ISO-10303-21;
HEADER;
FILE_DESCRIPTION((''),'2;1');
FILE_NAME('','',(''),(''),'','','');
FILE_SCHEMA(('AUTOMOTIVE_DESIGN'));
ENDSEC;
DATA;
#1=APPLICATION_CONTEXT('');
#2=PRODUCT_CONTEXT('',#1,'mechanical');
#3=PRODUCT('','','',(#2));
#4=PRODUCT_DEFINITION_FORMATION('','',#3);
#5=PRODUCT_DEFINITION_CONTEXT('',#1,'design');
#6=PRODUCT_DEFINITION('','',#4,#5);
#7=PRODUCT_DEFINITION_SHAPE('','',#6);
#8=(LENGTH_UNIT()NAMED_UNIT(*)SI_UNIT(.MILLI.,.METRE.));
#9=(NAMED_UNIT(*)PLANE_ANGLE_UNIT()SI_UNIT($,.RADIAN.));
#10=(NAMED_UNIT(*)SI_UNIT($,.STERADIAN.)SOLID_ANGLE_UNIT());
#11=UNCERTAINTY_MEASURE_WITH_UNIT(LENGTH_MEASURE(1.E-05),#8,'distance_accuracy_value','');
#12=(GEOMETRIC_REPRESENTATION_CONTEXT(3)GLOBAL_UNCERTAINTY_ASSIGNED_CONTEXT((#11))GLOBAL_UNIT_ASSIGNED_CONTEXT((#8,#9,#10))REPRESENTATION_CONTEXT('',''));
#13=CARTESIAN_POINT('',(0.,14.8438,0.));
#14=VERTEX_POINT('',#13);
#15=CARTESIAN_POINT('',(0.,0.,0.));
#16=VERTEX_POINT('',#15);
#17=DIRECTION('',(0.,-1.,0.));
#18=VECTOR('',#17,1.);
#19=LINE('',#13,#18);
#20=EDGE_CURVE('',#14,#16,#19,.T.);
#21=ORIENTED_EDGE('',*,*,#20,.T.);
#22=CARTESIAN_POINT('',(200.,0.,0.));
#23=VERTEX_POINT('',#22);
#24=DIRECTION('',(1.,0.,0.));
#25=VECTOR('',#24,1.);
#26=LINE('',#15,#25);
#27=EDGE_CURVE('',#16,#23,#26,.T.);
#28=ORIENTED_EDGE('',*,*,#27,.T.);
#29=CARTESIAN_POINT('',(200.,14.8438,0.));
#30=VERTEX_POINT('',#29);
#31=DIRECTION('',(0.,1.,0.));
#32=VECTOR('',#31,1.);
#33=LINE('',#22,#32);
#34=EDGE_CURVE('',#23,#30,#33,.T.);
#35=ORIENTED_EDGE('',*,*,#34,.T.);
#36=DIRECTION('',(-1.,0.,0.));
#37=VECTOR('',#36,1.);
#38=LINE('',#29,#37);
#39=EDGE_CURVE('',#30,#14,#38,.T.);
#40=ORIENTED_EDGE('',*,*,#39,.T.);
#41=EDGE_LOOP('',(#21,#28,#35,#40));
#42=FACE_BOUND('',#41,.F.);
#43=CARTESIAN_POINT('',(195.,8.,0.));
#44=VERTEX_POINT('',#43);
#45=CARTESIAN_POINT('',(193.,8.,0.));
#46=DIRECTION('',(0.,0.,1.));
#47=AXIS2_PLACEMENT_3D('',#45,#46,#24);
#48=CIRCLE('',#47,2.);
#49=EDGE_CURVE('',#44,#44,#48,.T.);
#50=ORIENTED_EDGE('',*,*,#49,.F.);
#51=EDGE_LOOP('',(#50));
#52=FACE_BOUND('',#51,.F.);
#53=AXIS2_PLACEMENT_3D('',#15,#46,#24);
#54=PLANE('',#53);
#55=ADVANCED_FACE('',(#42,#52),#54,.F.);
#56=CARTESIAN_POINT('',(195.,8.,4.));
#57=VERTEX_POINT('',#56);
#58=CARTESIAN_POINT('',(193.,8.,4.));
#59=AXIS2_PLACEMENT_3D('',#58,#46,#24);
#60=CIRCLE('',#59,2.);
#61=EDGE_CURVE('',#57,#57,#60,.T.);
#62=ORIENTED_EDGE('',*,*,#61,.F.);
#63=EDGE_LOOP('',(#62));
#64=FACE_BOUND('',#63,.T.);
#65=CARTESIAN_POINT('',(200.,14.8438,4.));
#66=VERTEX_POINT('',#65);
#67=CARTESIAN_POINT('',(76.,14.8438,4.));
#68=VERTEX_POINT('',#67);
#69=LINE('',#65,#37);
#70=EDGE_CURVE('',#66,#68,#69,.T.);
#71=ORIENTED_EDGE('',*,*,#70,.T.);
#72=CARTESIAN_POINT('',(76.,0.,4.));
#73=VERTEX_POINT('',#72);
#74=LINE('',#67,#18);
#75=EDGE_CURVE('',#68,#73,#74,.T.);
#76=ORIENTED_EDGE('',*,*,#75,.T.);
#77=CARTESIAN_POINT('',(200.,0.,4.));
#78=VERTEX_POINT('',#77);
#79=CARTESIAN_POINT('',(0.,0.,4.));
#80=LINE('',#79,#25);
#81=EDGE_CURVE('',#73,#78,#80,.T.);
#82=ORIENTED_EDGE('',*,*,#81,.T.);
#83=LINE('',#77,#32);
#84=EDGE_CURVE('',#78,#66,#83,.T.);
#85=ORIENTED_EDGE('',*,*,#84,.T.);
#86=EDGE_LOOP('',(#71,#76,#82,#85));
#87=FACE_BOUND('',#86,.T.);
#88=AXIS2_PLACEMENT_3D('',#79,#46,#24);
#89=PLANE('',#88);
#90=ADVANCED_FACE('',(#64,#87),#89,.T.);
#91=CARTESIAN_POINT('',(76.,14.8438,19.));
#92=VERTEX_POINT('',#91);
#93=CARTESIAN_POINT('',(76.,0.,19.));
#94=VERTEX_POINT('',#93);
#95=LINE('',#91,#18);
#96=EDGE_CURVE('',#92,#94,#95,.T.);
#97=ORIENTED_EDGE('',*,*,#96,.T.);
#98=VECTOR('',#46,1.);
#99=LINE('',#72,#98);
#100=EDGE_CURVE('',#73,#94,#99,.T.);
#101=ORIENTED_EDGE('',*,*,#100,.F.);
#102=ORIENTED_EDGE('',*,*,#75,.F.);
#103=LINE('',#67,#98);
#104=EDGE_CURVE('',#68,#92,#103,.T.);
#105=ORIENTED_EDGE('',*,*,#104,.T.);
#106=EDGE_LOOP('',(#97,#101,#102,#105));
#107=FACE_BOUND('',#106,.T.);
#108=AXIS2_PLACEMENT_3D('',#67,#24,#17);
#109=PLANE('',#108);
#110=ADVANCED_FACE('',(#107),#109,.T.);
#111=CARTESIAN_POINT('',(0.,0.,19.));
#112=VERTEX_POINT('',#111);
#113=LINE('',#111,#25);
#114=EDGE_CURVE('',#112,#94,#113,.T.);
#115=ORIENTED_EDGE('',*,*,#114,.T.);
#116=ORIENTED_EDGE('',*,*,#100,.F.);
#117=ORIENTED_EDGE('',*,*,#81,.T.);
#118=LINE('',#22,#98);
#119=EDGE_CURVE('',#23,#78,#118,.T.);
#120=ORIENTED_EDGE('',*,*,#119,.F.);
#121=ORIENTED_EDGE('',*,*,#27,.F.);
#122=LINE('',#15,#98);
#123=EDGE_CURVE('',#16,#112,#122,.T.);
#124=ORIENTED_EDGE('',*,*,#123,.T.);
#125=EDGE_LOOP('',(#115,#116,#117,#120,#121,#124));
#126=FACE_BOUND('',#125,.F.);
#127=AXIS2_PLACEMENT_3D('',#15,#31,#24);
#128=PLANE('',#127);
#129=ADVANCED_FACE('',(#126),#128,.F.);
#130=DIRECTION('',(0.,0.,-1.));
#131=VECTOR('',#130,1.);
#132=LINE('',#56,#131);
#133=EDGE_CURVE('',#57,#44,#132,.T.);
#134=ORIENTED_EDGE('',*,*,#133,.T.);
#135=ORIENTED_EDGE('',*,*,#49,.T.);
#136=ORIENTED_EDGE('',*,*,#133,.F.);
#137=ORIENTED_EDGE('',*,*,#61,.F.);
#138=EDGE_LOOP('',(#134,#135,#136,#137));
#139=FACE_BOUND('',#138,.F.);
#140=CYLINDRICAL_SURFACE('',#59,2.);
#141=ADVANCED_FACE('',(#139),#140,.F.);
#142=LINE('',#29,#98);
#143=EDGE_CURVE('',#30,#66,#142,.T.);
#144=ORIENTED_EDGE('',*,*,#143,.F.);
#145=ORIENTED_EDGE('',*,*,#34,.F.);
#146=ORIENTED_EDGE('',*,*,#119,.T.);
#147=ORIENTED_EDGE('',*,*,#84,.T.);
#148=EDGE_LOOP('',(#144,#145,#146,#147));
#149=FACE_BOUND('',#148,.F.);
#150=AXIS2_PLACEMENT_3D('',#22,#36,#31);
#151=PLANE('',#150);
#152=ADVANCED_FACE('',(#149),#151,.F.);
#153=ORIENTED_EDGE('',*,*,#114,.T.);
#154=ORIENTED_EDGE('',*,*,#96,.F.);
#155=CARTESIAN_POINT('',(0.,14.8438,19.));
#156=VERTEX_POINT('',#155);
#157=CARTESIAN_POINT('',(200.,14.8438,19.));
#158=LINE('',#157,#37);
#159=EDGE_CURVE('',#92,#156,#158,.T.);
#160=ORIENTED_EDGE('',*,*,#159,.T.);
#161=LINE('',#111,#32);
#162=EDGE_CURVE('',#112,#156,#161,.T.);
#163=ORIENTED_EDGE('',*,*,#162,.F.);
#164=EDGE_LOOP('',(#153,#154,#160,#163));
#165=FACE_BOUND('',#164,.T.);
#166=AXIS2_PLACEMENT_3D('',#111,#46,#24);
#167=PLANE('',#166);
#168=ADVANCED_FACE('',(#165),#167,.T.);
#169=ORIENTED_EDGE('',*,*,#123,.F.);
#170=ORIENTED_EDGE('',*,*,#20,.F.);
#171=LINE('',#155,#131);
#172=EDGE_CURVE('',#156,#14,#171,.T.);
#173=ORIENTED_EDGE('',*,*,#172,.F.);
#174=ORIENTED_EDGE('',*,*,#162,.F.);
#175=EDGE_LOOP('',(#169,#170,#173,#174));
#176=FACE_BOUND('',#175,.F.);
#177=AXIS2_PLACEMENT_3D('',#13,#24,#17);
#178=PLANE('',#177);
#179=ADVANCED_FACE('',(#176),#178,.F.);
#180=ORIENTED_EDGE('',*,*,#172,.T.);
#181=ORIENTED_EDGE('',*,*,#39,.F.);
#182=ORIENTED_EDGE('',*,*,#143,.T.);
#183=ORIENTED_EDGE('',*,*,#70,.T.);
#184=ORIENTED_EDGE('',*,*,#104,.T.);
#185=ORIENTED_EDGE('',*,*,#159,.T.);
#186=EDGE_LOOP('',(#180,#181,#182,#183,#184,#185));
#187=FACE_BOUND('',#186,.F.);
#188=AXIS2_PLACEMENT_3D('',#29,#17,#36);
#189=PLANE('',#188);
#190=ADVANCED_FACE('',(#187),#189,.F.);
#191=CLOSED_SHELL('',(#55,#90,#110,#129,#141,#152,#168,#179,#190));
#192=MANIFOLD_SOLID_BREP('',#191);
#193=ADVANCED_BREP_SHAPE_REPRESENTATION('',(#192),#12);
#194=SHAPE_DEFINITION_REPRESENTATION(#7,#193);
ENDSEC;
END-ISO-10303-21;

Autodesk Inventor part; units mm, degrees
ref_plane "YZ Plane" through (0, 0, 0) normal (1, 0, 0) x (0, 1, 0)
ref_plane "XZ Plane" through (0, 0, 0) normal (0, 1, 0) x (-1, 0, 0)
ref_plane "XY Plane" through (0, 0, 0) normal (0, 0, 1) x (1, 0, 0)
sketch "Эскиз1" plane through (0, 0, 0) normal (0, 0, 1) x (1, 0, 0)
  line L0 (0, 0) -> (200, 0)
  line L1 (200, 0) -> (200, 14.8438)
  line L2 (200, 14.8438) -> (0, 14.8438)
  line L3 (0, 14.8438) -> (0, 0)
  dimension "d2" = 200
extrude "Выдавливание1" add sketch "Эскиз1" along normal blind 4
sketch "Эскиз2" plane through (0, 0, 4) normal (0, 0, 1) x (1, 0, 0)
  line L0 (200, 14.8438) -> (0, 14.8438) projected
  line L1 (0, 0) -> (200, 0) projected
  line L2 (0, 14.8438) -> (76, 14.8438)
  line L3 (76, 14.8438) -> (76, 0)
  line L4 (76, 0) -> (0, 0)
  line L5 (0, 0) -> (0, 14.8438)
extrude "Выдавливание2" add sketch "Эскиз2" along normal blind 15
sketch "Эскиз3" plane through (0, 0, 4) normal (0, 0, 1) x (1, 0, 0)
  circle A0 centre (193, 8) radius 2
  point P0 (0, 0)
  dimension "d5" = 4
extrude "Выдавливание3" cut sketch "Эскиз3" against normal blind 10
properties part number "ведро 2 гол"
